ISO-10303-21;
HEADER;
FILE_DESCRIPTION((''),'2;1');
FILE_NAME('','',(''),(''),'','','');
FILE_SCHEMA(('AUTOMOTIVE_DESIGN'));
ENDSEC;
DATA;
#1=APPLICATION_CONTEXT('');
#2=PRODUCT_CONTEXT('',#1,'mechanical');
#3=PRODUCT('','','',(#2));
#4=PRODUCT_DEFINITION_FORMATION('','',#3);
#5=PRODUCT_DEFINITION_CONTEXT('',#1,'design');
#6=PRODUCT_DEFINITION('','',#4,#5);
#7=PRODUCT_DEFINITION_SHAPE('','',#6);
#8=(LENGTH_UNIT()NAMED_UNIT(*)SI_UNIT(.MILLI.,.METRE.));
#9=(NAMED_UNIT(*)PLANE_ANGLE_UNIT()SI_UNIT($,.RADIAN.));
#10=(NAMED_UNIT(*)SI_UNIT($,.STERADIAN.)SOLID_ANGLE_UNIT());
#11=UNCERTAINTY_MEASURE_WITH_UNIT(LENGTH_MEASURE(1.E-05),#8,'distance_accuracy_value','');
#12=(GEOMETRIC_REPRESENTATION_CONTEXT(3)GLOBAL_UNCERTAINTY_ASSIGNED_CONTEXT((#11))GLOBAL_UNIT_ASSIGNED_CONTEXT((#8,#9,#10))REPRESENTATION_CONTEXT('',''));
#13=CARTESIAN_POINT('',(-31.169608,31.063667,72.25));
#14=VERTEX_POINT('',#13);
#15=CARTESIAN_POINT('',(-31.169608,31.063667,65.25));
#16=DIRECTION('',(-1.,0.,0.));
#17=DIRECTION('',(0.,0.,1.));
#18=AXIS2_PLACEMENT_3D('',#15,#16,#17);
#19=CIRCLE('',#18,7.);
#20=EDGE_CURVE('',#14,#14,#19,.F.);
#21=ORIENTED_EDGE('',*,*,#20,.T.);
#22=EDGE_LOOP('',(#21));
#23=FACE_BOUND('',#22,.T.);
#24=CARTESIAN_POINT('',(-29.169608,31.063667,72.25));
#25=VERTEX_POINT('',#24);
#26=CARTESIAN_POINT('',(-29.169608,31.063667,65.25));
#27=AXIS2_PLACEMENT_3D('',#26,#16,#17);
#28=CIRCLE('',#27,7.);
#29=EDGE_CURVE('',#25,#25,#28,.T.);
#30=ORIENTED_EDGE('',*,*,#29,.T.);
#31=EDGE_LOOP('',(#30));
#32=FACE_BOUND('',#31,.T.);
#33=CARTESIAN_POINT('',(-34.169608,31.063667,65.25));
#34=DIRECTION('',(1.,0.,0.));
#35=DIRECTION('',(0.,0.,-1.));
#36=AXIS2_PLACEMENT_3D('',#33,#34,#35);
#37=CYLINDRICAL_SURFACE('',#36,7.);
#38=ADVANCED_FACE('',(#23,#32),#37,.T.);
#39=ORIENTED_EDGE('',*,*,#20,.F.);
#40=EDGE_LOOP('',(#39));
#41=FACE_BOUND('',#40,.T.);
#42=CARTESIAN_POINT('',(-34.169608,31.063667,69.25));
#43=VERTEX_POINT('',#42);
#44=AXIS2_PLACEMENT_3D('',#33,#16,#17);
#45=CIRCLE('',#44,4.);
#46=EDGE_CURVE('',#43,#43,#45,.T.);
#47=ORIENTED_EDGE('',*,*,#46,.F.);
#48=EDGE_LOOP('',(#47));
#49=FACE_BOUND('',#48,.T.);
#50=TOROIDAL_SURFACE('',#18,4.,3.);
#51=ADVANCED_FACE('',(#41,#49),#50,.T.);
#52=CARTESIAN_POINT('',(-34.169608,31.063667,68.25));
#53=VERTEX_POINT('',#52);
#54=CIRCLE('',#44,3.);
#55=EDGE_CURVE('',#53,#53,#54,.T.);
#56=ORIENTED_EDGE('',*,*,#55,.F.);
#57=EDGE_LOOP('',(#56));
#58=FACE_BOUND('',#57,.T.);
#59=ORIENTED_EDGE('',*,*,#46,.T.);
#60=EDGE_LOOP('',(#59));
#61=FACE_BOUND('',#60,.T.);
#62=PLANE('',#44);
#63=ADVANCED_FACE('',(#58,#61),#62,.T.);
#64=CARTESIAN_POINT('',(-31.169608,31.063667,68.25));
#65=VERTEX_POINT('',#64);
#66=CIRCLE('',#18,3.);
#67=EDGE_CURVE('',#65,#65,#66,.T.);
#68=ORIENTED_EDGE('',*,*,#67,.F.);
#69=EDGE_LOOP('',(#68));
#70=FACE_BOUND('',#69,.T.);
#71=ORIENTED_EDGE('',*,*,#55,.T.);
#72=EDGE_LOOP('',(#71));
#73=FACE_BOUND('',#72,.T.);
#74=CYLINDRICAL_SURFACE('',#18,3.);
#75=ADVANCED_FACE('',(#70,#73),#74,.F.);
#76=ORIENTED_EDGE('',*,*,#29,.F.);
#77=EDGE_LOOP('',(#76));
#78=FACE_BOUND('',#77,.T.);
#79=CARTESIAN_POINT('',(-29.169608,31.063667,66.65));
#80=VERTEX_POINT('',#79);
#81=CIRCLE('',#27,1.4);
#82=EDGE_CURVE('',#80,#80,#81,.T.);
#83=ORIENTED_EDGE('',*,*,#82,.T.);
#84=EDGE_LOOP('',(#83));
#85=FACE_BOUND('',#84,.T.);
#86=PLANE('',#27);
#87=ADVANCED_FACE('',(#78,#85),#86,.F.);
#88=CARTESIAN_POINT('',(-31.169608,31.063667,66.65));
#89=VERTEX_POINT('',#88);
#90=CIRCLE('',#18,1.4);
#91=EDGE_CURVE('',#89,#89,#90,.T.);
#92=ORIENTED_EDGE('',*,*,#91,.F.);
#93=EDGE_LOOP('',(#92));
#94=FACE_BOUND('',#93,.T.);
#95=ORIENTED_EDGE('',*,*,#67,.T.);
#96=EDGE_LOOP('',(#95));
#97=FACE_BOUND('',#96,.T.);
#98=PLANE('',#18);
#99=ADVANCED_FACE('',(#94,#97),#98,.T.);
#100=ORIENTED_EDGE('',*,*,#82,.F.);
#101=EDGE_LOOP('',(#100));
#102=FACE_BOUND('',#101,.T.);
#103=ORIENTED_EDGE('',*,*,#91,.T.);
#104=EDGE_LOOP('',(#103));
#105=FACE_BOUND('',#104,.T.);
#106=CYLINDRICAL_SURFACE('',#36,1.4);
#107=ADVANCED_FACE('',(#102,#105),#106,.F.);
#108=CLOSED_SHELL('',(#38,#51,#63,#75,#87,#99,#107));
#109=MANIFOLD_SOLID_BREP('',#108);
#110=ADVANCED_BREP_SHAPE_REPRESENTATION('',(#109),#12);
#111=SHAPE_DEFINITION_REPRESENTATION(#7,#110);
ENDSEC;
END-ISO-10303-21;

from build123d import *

# Parameters (mm, degrees)
CROQUIS6_R              = 7
CROQUIS6_R_2            = 1.4
SALIENTE_EXTRUIR4_DEPTH = 5
REDONDEO2_R             = 3
CROQUIS7_R              = 3
CORTAR_EXTRUIR2_DEPTH   = 3


with BuildPart() as part:
    # Croquis6 → Saliente-Extruir4 (new body)
    with BuildSketch(Plane.ZY.offset(29.169607513)):
        with Locations((65.25, 31.063666838)):
            Circle(CROQUIS6_R)
        with Locations((65.25, 31.063666838)):
            Circle(CROQUIS6_R_2, mode=Mode.SUBTRACT)
    extrude(amount=SALIENTE_EXTRUIR4_DEPTH)

    # Redondeo2
    redondeo2_edges = [part.edges().sort_by_distance(p)[0] for p in [
        (-34.169607513, 31.063666838, 58.25),
    ]]
    fillet(redondeo2_edges, radius=REDONDEO2_R)

    # Croquis7 → Cortar-Extruir2 (cut)
    with BuildSketch(Plane.ZY.offset(34.169607513)):
        with Locations((65.25, 31.063666838)):
            Circle(CROQUIS7_R)
    extrude(amount=-CORTAR_EXTRUIR2_DEPTH, mode=Mode.SUBTRACT)


solid = part.part
